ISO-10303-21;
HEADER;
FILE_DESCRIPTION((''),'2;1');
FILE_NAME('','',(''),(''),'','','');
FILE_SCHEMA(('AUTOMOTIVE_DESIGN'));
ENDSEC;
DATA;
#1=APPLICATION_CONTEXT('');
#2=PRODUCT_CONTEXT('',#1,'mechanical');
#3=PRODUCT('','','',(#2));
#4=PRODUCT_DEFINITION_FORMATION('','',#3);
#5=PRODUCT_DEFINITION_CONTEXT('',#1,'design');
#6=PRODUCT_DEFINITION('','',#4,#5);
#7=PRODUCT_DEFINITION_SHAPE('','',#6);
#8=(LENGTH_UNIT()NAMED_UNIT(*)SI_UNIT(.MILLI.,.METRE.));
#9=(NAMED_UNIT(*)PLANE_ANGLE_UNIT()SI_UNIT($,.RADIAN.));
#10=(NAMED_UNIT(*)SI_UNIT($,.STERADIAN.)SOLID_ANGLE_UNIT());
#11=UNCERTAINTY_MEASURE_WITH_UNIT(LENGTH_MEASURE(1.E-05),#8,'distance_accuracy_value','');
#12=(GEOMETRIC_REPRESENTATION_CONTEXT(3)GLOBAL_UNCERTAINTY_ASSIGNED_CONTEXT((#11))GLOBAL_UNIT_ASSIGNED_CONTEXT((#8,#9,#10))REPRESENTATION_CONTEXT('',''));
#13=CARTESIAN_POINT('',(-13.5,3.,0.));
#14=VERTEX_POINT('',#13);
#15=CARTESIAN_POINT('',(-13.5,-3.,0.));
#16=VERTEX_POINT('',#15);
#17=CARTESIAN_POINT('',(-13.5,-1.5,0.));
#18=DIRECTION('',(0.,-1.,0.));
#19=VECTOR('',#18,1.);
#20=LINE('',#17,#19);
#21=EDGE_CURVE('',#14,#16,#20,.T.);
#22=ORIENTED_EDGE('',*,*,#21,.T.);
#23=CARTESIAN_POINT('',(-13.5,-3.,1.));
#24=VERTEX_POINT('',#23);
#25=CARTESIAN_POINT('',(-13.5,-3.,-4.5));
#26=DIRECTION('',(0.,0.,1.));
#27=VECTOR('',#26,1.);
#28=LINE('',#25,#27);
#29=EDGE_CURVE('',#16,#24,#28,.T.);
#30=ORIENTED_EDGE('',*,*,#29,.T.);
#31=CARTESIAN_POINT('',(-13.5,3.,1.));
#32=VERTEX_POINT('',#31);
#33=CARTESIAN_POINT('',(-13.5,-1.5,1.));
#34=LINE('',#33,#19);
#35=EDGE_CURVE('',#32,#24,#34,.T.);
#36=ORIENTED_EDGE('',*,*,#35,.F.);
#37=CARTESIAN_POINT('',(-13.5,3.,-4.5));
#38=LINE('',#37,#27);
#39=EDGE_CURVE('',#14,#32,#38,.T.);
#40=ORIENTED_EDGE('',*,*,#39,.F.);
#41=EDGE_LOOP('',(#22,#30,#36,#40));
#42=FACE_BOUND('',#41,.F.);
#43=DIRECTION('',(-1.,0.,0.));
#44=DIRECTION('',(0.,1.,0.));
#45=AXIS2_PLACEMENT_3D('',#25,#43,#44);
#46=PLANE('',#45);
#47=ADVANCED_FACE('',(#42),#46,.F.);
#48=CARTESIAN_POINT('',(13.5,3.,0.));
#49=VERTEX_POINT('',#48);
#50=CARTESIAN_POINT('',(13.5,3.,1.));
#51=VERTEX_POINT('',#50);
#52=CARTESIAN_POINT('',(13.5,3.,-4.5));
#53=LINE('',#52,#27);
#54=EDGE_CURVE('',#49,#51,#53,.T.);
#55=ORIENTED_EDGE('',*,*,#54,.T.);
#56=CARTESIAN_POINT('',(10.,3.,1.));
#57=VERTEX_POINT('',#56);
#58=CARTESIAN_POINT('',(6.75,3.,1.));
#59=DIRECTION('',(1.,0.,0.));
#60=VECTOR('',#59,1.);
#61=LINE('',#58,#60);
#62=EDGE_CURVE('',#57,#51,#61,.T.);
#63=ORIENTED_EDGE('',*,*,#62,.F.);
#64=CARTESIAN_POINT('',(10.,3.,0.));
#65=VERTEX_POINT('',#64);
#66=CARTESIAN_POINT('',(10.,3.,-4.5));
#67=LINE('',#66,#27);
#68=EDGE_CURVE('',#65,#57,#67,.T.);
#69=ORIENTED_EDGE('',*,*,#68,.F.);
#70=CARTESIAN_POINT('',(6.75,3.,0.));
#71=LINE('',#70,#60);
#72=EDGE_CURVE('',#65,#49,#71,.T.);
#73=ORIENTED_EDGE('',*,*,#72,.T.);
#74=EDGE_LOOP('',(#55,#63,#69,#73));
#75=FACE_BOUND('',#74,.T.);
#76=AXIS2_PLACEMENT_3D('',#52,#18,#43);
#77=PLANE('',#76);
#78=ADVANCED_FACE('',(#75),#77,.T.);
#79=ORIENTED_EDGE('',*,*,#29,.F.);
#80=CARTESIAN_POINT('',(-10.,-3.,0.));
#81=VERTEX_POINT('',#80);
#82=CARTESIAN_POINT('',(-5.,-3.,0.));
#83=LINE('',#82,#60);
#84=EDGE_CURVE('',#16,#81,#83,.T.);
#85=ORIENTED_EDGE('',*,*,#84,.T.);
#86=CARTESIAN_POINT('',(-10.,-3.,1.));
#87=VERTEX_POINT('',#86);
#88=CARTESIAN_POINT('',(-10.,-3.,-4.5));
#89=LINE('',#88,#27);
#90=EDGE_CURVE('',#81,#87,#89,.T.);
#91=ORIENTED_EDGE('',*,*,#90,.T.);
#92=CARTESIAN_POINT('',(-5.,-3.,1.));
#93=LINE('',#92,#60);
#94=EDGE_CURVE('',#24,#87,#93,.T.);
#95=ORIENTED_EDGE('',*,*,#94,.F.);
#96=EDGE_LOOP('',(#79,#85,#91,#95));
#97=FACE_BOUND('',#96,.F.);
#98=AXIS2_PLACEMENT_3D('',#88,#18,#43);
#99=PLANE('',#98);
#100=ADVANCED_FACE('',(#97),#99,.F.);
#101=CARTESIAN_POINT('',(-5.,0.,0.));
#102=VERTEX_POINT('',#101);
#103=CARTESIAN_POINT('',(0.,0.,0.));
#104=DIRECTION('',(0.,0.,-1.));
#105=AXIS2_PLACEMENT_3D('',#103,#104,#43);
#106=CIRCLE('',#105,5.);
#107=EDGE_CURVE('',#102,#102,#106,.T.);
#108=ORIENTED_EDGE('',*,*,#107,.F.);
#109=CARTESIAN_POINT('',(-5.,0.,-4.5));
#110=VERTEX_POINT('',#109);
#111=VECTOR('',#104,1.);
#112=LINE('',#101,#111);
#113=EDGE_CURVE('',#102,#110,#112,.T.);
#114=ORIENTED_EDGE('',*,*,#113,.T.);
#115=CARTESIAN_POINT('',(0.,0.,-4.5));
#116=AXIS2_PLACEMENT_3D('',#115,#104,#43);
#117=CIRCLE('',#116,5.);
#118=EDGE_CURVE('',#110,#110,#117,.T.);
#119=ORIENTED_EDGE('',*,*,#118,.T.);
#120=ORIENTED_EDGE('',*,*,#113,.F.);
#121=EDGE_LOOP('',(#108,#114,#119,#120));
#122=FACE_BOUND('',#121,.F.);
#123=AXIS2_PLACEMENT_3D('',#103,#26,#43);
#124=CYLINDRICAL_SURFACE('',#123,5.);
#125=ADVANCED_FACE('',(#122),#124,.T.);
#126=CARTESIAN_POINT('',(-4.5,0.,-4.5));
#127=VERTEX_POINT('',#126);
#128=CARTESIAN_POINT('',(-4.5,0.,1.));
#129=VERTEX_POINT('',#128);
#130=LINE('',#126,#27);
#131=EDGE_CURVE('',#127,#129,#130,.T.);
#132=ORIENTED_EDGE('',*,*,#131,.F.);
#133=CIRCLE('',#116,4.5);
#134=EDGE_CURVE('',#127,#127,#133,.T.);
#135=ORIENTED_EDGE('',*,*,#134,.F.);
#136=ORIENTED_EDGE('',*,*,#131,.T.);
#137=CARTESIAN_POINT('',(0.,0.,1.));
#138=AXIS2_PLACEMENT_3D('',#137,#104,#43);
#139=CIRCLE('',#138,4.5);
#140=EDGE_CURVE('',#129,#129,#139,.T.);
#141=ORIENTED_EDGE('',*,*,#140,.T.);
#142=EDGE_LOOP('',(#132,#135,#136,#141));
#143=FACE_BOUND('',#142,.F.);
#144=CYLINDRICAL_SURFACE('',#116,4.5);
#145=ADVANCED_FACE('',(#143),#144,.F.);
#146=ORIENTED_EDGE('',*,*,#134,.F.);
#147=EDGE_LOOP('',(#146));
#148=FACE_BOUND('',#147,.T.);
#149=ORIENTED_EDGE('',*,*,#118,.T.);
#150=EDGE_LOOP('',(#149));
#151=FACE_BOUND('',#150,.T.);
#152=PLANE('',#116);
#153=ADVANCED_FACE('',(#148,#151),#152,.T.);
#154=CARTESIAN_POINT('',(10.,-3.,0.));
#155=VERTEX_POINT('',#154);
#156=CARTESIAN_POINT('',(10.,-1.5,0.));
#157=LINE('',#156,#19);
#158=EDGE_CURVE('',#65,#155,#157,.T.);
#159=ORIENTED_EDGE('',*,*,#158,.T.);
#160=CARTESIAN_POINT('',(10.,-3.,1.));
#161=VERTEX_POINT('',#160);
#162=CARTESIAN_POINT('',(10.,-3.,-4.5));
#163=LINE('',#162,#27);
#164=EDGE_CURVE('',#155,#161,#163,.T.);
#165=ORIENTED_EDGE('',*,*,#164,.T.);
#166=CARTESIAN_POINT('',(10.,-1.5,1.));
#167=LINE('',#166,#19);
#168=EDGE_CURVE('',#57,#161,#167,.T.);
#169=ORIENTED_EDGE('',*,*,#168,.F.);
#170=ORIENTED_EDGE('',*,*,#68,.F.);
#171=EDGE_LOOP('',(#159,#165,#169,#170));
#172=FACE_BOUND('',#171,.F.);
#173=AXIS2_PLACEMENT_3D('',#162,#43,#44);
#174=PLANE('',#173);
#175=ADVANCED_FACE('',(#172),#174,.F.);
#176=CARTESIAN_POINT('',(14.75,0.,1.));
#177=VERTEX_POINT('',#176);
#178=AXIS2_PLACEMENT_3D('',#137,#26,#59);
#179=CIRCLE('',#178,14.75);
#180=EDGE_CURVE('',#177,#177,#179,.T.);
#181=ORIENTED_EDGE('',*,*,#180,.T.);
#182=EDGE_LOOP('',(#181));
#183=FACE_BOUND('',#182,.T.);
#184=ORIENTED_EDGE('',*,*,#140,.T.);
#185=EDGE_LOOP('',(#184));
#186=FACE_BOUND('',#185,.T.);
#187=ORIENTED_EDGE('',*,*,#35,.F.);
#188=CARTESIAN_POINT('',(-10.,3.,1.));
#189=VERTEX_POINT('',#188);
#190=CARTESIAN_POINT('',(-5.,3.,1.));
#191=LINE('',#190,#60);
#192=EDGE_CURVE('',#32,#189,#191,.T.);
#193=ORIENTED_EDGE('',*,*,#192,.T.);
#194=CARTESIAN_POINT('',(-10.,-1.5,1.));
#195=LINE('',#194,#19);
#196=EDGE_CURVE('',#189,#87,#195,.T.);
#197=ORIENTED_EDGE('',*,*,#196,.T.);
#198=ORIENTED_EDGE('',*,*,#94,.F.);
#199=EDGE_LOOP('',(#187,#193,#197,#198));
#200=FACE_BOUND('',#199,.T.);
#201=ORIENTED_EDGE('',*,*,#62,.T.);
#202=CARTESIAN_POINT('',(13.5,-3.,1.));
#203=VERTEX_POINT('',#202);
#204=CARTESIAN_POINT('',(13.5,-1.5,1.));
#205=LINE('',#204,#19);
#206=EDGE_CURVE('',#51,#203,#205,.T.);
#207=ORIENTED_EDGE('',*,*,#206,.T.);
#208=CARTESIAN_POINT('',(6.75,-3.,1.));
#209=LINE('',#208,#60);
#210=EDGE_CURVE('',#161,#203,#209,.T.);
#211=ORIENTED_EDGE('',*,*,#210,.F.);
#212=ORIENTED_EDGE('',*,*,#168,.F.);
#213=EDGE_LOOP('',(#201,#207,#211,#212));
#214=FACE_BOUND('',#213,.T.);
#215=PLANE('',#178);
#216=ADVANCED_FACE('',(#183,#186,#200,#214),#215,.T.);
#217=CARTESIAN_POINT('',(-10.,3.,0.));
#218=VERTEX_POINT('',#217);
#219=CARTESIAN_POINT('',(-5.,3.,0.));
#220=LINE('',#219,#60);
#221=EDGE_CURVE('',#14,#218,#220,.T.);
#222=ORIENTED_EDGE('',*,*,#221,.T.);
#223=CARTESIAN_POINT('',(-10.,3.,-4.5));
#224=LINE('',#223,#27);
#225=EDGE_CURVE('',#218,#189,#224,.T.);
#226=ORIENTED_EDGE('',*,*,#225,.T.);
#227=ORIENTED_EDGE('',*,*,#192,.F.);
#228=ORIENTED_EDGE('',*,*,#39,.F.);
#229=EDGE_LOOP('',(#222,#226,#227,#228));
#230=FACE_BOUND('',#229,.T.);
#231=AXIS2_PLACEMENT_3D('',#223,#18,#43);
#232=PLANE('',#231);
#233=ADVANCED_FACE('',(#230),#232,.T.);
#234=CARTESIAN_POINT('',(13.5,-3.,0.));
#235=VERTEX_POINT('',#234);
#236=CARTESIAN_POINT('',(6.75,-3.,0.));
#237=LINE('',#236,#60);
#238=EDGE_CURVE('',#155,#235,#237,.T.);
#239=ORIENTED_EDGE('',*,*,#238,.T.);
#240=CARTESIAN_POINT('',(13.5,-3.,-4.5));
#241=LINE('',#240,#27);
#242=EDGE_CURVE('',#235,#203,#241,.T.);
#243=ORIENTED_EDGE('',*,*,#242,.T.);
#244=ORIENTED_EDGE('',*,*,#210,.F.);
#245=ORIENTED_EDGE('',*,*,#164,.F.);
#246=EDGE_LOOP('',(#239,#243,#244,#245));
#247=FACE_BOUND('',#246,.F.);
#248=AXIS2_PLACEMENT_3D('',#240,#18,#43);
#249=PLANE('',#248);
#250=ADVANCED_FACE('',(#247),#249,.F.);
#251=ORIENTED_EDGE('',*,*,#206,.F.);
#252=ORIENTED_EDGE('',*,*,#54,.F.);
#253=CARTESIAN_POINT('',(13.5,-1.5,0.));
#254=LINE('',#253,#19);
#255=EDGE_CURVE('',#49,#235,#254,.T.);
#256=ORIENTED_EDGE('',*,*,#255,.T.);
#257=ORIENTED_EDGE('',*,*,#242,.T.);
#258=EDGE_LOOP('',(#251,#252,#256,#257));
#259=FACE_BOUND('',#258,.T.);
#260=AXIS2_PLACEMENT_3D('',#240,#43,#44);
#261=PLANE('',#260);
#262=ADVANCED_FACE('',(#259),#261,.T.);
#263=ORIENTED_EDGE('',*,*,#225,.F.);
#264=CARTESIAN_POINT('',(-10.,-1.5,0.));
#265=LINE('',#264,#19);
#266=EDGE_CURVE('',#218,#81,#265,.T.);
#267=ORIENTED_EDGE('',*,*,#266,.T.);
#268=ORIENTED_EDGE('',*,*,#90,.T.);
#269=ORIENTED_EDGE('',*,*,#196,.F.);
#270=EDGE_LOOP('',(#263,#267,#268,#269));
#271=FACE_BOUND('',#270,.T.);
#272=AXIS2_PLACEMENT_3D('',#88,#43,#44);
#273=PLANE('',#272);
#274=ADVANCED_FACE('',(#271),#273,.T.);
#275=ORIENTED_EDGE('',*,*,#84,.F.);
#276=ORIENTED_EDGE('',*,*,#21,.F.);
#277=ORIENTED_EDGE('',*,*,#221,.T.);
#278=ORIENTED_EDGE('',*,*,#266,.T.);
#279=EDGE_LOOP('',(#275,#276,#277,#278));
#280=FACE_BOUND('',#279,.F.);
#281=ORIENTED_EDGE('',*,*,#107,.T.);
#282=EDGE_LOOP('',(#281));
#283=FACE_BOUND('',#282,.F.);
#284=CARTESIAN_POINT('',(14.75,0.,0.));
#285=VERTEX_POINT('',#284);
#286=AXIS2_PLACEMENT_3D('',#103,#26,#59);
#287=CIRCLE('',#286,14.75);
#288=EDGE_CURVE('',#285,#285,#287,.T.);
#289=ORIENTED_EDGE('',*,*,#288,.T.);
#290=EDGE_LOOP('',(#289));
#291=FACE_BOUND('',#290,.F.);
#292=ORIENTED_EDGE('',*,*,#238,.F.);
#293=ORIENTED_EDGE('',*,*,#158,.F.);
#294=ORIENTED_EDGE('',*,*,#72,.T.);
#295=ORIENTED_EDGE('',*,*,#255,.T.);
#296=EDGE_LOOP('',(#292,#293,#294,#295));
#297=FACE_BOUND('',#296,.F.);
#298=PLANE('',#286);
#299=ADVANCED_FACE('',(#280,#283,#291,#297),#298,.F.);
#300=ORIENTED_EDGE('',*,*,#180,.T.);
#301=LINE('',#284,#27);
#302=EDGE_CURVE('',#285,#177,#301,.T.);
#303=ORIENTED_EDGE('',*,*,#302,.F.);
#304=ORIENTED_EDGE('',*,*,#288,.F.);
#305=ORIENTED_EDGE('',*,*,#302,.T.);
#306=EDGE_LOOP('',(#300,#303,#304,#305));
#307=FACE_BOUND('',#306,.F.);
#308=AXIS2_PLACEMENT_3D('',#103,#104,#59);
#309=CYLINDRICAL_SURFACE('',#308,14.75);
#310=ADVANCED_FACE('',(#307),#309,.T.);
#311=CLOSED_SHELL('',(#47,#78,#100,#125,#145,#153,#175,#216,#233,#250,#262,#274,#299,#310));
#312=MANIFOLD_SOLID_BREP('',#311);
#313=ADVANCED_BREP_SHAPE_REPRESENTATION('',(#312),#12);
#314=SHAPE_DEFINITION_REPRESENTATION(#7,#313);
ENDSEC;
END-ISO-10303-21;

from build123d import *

# Parameters (mm, degrees)
SKETCH1_R           = 14.75
BOSS_EXTRUDE1_DEPTH = 1
SKETCH2_R           = 5
BOSS_EXTRUDE2_DEPTH = 4.5
SKETCH3_R           = 4.5
SKETCH3_W           = 3.5
SKETCH3_H           = 6
CUT_EXTRUDE1_DEPTH  = 6.5


with BuildPart() as part:
    # Sketch1 → Boss-Extrude1 (new body)
    with BuildSketch(Plane.XY):
        Circle(SKETCH1_R)
    extrude(amount=BOSS_EXTRUDE1_DEPTH)

    # Sketch2 → Boss-Extrude2 (add)
    with BuildSketch(Plane(origin=(0, 0, 0), x_dir=(-1, 0, 0), z_dir=(0, 0, -1))):
        Circle(SKETCH2_R)
    extrude(amount=BOSS_EXTRUDE2_DEPTH)

    # Sketch3 → Cut-Extrude1 (cut, through all)
    with BuildSketch(Plane(origin=(0, 0, -4.5), x_dir=(-1, 0, 0), z_dir=(0, 0, -1))):
        Circle(SKETCH3_R)
        with Locations((-11.75, 0)):
            Rectangle(SKETCH3_W, SKETCH3_H)
        with Locations((11.75, 0)):
            Rectangle(SKETCH3_W, SKETCH3_H)
    extrude(amount=-CUT_EXTRUDE1_DEPTH, mode=Mode.SUBTRACT)


solid = part.part
